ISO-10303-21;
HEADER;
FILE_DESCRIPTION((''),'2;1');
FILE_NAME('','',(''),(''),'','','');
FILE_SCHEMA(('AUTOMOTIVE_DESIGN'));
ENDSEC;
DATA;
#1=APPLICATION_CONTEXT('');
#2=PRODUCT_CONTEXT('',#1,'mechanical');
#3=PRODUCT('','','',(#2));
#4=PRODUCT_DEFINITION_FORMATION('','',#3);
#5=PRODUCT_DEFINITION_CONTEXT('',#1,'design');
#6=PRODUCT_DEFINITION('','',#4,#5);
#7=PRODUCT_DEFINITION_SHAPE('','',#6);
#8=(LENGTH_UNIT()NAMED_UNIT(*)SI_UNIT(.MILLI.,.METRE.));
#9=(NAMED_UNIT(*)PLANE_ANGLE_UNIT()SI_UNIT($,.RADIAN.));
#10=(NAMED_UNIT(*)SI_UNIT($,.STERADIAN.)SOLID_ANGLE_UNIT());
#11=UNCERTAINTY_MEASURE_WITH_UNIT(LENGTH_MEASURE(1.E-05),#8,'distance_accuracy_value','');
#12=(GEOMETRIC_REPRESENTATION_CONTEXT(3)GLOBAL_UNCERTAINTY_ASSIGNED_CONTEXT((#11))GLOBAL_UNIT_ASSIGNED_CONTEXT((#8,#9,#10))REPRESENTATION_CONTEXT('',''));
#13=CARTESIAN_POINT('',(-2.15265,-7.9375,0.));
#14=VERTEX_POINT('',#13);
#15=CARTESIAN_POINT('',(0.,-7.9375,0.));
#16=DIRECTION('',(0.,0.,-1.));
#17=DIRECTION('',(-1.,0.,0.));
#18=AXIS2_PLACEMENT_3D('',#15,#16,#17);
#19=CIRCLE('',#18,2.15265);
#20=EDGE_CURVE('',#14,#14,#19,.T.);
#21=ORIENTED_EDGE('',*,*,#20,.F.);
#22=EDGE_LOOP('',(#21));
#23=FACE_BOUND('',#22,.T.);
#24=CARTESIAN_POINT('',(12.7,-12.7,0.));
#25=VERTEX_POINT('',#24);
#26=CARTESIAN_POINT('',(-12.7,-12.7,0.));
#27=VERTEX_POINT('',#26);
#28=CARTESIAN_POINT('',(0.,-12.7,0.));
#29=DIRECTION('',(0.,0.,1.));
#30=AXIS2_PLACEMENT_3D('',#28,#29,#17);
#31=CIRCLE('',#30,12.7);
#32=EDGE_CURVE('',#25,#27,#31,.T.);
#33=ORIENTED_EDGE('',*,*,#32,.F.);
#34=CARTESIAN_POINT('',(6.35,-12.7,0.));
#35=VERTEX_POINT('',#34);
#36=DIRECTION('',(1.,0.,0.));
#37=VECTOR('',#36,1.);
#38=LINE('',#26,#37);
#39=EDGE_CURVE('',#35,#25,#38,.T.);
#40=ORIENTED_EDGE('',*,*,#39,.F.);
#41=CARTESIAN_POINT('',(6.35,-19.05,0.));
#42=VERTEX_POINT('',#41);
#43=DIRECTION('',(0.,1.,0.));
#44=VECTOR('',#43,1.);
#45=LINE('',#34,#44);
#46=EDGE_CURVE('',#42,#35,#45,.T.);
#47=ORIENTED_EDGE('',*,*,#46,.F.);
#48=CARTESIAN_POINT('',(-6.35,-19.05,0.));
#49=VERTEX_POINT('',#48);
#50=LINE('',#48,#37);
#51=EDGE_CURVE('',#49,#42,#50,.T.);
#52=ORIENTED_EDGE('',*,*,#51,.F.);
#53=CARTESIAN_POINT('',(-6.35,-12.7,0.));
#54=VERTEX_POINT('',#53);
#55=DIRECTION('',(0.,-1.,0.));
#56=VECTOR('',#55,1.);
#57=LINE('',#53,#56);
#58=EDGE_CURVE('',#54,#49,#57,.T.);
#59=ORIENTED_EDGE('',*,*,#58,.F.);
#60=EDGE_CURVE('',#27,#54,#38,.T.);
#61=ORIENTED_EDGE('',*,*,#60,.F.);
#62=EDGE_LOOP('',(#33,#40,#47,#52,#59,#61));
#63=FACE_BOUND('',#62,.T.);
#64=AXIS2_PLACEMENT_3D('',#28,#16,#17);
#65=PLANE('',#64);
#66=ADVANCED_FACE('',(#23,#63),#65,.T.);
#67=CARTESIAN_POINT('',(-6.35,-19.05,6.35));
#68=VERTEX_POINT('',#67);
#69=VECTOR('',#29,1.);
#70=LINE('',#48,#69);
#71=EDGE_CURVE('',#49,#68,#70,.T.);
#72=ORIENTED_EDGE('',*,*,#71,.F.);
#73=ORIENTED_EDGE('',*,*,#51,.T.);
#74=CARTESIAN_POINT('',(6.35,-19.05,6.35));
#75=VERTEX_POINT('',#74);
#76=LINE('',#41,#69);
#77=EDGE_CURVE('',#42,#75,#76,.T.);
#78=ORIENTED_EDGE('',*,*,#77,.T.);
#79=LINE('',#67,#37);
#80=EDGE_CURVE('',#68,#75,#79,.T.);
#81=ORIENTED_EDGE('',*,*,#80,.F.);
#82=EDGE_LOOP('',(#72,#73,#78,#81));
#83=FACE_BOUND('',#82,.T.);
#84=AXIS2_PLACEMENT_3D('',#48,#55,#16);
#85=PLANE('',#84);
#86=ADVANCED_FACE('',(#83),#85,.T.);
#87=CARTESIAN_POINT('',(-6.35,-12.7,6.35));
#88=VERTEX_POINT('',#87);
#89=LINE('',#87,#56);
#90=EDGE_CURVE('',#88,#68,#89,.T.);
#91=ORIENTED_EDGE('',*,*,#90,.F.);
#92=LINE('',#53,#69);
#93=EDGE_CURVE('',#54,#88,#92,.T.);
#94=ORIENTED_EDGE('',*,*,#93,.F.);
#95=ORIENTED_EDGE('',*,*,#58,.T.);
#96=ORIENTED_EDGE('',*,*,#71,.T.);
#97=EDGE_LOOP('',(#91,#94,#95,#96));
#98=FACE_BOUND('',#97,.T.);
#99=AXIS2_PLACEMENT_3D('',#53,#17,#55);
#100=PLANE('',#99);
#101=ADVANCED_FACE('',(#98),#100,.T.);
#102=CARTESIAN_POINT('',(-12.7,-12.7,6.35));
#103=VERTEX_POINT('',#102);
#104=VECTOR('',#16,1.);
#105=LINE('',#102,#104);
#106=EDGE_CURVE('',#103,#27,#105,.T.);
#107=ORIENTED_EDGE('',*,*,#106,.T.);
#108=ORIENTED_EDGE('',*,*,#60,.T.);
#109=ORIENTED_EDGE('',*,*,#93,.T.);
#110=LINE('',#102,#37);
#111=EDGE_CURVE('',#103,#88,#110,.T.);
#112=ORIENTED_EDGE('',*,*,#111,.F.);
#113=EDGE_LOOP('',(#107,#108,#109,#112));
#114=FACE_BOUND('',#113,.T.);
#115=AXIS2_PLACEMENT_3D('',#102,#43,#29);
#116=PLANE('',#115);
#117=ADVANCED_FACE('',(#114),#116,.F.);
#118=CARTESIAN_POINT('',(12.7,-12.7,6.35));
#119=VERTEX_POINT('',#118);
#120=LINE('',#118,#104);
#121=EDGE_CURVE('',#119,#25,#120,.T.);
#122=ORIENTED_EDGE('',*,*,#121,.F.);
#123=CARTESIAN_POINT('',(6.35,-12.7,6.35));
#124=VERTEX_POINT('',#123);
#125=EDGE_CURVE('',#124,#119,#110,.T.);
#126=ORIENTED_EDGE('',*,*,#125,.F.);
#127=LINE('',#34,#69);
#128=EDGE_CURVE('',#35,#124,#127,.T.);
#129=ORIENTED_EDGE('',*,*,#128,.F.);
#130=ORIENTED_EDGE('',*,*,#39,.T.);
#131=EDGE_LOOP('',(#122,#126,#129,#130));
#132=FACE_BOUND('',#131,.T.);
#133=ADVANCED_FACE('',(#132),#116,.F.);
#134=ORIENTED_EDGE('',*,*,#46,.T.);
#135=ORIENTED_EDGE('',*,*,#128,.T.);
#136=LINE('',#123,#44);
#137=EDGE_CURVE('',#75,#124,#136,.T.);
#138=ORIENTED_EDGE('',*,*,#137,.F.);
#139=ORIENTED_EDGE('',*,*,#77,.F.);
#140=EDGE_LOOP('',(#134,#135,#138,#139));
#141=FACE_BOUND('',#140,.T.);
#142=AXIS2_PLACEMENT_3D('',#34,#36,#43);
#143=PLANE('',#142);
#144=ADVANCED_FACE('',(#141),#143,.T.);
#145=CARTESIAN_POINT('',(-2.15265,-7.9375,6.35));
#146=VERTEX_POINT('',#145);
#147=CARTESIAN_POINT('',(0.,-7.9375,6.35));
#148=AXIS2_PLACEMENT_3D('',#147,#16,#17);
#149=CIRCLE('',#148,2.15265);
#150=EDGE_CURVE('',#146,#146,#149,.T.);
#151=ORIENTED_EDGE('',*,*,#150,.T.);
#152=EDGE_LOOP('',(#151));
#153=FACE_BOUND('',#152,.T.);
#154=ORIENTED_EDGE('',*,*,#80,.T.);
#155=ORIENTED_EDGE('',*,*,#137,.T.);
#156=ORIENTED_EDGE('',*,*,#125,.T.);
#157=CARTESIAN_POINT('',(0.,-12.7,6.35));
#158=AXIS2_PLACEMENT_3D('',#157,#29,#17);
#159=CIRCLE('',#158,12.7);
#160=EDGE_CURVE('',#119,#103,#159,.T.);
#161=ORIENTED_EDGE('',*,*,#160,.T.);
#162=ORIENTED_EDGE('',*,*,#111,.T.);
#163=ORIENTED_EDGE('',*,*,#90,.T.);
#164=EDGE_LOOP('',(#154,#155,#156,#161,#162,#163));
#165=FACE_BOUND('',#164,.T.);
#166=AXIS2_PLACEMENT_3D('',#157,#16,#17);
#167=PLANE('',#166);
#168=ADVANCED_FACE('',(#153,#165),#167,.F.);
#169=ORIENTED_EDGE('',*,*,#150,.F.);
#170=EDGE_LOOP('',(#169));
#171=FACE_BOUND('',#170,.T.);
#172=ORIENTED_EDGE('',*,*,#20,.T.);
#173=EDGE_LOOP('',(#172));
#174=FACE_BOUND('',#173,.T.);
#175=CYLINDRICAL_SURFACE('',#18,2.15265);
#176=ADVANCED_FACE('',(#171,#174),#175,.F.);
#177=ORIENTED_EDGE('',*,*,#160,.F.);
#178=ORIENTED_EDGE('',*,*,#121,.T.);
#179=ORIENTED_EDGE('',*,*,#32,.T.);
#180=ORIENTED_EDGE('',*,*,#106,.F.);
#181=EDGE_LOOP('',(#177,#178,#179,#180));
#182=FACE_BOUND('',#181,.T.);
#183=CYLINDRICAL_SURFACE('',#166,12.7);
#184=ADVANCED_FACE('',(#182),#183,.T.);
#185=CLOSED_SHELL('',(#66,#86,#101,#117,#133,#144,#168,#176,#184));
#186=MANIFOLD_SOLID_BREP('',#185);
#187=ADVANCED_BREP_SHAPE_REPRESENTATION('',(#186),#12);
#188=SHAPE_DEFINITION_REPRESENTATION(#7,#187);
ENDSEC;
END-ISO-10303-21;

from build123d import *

# Parameters (mm, degrees)
BASE_DEPTH          = 6.35
AXLE_HOLE_D         = 4.3053
SKETCH8_W           = 12.7
SKETCH8_H           = 6.35
BOSS_EXTRUDE2_DEPTH = 6.35


with BuildPart() as part:
    # Sketch1 → Base (new body)
    with BuildSketch(Plane.XY):
        with BuildLine():
            Line((-12.7, -12.7), (12.7, -12.7))
            ThreePointArc((12.7, -12.7), (0, 0), (-12.7, -12.7))
        make_face()
    extrude(amount=BASE_DEPTH)

    # Axle hole (through all)
    with Locations(Plane(origin=(0, 0, 0), x_dir=(-1, 0, 0), z_dir=(0, 0, -1))):
        with Locations((0, -7.9375)):
            Hole(AXLE_HOLE_D / 2)

    # Sketch8 → Boss-Extrude2 (add)
    with BuildSketch(Plane.XY.offset(6.35)):
        with Locations((0, -15.875)):
            Rectangle(SKETCH8_W, SKETCH8_H)
    extrude(amount=-BOSS_EXTRUDE2_DEPTH)


solid = part.part
